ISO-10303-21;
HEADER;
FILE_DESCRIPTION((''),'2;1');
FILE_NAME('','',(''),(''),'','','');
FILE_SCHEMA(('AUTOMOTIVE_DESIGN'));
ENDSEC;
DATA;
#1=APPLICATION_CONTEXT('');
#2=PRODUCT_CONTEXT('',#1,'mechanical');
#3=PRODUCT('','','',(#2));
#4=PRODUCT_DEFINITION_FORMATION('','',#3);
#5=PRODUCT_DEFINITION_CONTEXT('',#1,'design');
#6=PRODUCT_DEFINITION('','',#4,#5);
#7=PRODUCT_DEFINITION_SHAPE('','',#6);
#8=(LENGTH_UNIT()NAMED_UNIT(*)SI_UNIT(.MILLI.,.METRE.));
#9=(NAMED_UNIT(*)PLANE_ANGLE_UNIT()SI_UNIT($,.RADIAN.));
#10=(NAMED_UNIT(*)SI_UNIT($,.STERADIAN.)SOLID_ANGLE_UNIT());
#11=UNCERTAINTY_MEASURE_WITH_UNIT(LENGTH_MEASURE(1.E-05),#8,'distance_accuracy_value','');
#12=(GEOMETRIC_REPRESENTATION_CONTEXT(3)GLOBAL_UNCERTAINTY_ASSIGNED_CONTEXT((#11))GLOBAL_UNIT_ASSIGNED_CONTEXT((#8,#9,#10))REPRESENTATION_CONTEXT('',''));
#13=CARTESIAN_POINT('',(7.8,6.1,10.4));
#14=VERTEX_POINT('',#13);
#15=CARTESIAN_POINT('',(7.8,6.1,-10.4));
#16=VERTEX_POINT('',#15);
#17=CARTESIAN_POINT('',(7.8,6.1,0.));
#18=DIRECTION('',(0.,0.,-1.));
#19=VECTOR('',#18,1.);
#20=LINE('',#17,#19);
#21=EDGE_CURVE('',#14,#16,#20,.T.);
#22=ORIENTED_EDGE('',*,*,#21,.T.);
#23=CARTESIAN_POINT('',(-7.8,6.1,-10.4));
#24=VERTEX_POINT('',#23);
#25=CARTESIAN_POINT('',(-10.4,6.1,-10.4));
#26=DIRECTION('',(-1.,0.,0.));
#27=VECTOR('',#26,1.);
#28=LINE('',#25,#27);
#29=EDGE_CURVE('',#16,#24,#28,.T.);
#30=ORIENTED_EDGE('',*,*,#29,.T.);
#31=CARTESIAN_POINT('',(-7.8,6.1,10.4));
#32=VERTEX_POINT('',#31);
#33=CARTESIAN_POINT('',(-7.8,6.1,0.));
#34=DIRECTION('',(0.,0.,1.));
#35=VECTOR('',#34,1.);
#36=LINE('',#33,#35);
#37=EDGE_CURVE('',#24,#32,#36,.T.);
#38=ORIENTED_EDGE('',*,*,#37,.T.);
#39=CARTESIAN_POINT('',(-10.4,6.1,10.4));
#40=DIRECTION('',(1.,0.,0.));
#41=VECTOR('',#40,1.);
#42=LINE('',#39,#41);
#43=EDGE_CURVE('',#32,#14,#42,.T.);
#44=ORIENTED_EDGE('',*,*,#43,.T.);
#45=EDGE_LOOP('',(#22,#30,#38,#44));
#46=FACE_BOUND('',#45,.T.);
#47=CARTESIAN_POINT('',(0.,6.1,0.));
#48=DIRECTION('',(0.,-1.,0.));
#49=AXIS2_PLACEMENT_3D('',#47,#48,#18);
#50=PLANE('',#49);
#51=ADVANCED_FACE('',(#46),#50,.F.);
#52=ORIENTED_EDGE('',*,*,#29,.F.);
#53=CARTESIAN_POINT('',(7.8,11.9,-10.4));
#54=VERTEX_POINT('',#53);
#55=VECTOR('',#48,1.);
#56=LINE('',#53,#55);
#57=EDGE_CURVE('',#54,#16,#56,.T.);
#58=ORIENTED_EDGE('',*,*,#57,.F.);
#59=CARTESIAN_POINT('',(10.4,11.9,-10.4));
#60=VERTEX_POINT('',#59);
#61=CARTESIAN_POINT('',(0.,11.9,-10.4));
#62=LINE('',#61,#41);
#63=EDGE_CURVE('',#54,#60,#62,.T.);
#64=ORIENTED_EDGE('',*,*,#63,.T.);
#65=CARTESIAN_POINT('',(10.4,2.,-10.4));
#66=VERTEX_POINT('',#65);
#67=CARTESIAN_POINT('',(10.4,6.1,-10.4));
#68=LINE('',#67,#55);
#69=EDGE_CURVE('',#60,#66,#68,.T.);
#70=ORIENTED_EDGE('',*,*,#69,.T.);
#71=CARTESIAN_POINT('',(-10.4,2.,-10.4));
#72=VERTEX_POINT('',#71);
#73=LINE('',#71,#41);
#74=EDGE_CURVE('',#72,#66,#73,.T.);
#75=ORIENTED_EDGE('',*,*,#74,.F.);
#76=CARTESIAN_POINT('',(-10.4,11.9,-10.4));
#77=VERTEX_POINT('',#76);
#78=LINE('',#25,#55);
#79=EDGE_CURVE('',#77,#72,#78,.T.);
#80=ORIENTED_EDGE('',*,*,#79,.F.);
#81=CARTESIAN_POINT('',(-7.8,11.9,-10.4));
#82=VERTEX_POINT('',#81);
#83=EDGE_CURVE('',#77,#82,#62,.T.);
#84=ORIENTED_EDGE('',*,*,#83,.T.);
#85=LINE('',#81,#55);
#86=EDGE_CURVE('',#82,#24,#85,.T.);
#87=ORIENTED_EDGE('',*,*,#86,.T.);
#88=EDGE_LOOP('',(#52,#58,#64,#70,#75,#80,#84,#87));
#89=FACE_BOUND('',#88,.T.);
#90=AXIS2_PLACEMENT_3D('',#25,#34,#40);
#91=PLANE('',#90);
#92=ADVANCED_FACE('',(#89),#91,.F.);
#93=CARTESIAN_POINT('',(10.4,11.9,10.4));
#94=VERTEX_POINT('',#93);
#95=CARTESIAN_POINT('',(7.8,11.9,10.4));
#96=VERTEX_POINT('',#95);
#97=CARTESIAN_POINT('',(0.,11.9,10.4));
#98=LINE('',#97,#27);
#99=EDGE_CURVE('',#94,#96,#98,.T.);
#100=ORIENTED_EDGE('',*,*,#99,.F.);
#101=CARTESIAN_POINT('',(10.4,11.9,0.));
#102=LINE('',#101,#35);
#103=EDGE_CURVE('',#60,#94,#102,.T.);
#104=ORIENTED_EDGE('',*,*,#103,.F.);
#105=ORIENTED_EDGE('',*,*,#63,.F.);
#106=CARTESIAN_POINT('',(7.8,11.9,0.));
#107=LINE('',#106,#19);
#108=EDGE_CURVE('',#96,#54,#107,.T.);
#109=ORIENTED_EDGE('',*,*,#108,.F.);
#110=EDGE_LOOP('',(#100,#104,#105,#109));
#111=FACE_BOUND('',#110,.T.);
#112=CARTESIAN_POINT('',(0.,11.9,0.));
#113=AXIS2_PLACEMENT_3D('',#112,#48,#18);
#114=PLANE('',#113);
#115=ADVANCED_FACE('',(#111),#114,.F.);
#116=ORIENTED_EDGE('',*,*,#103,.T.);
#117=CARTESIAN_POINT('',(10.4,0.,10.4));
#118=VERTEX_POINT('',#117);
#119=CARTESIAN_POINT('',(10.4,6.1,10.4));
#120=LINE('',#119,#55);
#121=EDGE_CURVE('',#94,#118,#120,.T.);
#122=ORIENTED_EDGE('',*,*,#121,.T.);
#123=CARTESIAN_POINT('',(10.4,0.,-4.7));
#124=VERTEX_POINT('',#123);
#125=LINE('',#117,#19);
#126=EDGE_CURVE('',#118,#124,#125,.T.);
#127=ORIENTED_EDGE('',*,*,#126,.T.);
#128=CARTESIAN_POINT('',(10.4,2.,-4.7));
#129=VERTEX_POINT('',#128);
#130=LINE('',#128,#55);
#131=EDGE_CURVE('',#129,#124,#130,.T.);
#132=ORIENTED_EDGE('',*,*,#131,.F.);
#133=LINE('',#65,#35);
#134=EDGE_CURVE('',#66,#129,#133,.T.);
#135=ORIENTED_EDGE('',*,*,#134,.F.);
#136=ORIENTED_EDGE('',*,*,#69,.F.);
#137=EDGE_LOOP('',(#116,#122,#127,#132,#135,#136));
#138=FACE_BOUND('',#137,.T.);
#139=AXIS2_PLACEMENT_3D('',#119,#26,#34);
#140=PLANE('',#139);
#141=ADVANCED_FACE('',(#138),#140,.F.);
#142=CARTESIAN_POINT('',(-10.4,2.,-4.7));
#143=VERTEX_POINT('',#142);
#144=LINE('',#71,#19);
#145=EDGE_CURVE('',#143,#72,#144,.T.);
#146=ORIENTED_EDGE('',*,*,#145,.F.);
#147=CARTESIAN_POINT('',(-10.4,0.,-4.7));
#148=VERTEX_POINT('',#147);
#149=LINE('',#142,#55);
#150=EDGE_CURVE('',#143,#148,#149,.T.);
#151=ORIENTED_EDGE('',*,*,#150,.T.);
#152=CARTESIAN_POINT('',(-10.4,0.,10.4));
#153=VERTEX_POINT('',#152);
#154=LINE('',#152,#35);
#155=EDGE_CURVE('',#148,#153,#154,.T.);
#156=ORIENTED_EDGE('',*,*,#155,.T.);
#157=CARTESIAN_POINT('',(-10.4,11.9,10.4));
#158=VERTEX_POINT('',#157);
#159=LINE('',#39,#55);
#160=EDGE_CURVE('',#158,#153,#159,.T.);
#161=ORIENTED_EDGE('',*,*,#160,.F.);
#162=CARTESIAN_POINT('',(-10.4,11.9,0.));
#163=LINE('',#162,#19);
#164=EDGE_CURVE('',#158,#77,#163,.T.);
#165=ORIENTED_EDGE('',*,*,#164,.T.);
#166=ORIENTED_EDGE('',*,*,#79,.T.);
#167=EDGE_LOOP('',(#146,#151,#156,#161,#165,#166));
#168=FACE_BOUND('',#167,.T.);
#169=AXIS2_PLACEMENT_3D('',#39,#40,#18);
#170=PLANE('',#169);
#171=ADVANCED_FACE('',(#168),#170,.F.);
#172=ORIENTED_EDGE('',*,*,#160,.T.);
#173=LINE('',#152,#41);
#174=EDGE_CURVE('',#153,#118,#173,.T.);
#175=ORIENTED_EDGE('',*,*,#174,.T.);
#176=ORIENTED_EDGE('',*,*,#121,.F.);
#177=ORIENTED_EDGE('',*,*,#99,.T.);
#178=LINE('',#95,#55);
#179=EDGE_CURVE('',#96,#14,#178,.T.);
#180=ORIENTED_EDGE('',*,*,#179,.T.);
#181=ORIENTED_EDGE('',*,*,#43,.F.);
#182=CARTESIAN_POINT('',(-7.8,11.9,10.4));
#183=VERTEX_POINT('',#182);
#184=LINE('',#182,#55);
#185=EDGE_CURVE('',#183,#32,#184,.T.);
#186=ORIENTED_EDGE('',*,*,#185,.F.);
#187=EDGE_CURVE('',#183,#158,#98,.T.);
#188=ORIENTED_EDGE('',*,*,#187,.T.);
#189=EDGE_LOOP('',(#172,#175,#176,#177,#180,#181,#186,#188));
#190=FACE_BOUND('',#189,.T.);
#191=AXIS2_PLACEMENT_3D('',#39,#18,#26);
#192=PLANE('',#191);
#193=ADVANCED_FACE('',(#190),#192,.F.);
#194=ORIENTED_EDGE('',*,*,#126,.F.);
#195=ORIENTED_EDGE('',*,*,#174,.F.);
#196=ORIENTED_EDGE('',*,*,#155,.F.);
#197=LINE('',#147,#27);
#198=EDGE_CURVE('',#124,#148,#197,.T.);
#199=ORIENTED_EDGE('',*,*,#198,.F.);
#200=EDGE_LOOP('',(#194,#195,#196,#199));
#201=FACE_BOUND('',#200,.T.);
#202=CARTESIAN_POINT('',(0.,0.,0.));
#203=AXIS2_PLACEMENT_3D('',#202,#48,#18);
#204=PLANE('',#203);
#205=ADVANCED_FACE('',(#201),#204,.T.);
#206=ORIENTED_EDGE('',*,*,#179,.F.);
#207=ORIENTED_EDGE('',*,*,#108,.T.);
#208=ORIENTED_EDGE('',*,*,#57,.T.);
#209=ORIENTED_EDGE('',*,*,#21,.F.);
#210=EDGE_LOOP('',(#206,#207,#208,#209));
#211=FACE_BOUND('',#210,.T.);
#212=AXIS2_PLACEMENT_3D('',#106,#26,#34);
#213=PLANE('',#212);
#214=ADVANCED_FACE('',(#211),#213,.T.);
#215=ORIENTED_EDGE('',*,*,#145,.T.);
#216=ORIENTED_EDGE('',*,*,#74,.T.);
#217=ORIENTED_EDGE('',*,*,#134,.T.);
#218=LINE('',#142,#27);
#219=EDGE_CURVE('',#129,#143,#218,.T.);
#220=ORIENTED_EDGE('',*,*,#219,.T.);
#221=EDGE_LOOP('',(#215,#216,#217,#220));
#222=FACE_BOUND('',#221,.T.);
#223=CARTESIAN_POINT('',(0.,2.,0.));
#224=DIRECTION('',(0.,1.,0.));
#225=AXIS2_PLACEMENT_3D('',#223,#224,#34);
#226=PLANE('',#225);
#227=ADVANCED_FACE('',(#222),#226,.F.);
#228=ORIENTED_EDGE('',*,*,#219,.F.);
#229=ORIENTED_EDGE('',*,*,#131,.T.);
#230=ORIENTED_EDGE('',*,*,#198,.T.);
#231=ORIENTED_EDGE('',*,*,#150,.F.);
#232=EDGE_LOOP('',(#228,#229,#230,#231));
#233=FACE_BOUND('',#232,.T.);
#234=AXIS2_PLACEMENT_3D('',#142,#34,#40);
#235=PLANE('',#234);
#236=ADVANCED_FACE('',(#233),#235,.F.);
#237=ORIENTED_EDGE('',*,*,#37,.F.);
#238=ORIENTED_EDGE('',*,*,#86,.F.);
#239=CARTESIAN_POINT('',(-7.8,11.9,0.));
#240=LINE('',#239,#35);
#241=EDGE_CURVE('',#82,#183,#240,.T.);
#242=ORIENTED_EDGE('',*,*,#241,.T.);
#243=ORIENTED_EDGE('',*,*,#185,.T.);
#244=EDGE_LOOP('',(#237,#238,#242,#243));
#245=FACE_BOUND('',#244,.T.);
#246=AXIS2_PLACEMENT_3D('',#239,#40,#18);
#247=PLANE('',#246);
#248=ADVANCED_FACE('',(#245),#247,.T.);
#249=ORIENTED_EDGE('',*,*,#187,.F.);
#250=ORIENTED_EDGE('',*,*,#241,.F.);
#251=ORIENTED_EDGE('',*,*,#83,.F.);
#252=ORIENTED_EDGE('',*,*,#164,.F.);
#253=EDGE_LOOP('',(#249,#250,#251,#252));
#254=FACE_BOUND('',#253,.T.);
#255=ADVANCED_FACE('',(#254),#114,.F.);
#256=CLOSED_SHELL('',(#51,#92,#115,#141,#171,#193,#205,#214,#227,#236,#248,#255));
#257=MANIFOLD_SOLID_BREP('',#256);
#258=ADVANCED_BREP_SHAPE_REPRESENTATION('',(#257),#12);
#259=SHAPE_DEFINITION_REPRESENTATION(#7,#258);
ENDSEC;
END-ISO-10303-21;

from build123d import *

# Parameters (mm, degrees)
SKETCH_1_W          = 20.8
SKETCH_1_H          = 20.8
EXTRUDE_1_DEPTH     = 6.1
EXTRUDE_START       = -6.1
SKETCH_2_W          = 2.6
SKETCH_2_H          = 20.8
EXTRUDE_2_DEPTH     = 11.9
SKETCH_3_W          = 20.8
SKETCH_3_H          = 5.7
CUT_EXTRUDE_1_DEPTH = 2


with BuildPart() as part:
    # 草图1 → 凸台-拉伸1 (new body)
    with BuildSketch(Plane(origin=(0, 0, 0), x_dir=(1, 0, 0), z_dir=(0, 1, 0))):
        Rectangle(SKETCH_1_W, SKETCH_1_H)
    extrude(amount=EXTRUDE_1_DEPTH)

    # 草图2 → 凸台-拉伸2 (add)
    with BuildSketch(Plane(origin=(0, 6.1, 0), x_dir=(1, 0, 0), z_dir=(0, 1, 0)).offset(EXTRUDE_START)):
        with Locations((-9.1, 0)):
            Rectangle(SKETCH_2_W, SKETCH_2_H)
        with Locations((9.1, 0)):
            Rectangle(SKETCH_2_W, SKETCH_2_H)
    extrude(amount=EXTRUDE_2_DEPTH)

    # 草图3 → 切除-拉伸1 (cut)
    with BuildSketch(Plane.XZ):
        with Locations((0, -7.55)):
            Rectangle(SKETCH_3_W, SKETCH_3_H)
    extrude(amount=-CUT_EXTRUDE_1_DEPTH, mode=Mode.SUBTRACT)


solid = part.part
